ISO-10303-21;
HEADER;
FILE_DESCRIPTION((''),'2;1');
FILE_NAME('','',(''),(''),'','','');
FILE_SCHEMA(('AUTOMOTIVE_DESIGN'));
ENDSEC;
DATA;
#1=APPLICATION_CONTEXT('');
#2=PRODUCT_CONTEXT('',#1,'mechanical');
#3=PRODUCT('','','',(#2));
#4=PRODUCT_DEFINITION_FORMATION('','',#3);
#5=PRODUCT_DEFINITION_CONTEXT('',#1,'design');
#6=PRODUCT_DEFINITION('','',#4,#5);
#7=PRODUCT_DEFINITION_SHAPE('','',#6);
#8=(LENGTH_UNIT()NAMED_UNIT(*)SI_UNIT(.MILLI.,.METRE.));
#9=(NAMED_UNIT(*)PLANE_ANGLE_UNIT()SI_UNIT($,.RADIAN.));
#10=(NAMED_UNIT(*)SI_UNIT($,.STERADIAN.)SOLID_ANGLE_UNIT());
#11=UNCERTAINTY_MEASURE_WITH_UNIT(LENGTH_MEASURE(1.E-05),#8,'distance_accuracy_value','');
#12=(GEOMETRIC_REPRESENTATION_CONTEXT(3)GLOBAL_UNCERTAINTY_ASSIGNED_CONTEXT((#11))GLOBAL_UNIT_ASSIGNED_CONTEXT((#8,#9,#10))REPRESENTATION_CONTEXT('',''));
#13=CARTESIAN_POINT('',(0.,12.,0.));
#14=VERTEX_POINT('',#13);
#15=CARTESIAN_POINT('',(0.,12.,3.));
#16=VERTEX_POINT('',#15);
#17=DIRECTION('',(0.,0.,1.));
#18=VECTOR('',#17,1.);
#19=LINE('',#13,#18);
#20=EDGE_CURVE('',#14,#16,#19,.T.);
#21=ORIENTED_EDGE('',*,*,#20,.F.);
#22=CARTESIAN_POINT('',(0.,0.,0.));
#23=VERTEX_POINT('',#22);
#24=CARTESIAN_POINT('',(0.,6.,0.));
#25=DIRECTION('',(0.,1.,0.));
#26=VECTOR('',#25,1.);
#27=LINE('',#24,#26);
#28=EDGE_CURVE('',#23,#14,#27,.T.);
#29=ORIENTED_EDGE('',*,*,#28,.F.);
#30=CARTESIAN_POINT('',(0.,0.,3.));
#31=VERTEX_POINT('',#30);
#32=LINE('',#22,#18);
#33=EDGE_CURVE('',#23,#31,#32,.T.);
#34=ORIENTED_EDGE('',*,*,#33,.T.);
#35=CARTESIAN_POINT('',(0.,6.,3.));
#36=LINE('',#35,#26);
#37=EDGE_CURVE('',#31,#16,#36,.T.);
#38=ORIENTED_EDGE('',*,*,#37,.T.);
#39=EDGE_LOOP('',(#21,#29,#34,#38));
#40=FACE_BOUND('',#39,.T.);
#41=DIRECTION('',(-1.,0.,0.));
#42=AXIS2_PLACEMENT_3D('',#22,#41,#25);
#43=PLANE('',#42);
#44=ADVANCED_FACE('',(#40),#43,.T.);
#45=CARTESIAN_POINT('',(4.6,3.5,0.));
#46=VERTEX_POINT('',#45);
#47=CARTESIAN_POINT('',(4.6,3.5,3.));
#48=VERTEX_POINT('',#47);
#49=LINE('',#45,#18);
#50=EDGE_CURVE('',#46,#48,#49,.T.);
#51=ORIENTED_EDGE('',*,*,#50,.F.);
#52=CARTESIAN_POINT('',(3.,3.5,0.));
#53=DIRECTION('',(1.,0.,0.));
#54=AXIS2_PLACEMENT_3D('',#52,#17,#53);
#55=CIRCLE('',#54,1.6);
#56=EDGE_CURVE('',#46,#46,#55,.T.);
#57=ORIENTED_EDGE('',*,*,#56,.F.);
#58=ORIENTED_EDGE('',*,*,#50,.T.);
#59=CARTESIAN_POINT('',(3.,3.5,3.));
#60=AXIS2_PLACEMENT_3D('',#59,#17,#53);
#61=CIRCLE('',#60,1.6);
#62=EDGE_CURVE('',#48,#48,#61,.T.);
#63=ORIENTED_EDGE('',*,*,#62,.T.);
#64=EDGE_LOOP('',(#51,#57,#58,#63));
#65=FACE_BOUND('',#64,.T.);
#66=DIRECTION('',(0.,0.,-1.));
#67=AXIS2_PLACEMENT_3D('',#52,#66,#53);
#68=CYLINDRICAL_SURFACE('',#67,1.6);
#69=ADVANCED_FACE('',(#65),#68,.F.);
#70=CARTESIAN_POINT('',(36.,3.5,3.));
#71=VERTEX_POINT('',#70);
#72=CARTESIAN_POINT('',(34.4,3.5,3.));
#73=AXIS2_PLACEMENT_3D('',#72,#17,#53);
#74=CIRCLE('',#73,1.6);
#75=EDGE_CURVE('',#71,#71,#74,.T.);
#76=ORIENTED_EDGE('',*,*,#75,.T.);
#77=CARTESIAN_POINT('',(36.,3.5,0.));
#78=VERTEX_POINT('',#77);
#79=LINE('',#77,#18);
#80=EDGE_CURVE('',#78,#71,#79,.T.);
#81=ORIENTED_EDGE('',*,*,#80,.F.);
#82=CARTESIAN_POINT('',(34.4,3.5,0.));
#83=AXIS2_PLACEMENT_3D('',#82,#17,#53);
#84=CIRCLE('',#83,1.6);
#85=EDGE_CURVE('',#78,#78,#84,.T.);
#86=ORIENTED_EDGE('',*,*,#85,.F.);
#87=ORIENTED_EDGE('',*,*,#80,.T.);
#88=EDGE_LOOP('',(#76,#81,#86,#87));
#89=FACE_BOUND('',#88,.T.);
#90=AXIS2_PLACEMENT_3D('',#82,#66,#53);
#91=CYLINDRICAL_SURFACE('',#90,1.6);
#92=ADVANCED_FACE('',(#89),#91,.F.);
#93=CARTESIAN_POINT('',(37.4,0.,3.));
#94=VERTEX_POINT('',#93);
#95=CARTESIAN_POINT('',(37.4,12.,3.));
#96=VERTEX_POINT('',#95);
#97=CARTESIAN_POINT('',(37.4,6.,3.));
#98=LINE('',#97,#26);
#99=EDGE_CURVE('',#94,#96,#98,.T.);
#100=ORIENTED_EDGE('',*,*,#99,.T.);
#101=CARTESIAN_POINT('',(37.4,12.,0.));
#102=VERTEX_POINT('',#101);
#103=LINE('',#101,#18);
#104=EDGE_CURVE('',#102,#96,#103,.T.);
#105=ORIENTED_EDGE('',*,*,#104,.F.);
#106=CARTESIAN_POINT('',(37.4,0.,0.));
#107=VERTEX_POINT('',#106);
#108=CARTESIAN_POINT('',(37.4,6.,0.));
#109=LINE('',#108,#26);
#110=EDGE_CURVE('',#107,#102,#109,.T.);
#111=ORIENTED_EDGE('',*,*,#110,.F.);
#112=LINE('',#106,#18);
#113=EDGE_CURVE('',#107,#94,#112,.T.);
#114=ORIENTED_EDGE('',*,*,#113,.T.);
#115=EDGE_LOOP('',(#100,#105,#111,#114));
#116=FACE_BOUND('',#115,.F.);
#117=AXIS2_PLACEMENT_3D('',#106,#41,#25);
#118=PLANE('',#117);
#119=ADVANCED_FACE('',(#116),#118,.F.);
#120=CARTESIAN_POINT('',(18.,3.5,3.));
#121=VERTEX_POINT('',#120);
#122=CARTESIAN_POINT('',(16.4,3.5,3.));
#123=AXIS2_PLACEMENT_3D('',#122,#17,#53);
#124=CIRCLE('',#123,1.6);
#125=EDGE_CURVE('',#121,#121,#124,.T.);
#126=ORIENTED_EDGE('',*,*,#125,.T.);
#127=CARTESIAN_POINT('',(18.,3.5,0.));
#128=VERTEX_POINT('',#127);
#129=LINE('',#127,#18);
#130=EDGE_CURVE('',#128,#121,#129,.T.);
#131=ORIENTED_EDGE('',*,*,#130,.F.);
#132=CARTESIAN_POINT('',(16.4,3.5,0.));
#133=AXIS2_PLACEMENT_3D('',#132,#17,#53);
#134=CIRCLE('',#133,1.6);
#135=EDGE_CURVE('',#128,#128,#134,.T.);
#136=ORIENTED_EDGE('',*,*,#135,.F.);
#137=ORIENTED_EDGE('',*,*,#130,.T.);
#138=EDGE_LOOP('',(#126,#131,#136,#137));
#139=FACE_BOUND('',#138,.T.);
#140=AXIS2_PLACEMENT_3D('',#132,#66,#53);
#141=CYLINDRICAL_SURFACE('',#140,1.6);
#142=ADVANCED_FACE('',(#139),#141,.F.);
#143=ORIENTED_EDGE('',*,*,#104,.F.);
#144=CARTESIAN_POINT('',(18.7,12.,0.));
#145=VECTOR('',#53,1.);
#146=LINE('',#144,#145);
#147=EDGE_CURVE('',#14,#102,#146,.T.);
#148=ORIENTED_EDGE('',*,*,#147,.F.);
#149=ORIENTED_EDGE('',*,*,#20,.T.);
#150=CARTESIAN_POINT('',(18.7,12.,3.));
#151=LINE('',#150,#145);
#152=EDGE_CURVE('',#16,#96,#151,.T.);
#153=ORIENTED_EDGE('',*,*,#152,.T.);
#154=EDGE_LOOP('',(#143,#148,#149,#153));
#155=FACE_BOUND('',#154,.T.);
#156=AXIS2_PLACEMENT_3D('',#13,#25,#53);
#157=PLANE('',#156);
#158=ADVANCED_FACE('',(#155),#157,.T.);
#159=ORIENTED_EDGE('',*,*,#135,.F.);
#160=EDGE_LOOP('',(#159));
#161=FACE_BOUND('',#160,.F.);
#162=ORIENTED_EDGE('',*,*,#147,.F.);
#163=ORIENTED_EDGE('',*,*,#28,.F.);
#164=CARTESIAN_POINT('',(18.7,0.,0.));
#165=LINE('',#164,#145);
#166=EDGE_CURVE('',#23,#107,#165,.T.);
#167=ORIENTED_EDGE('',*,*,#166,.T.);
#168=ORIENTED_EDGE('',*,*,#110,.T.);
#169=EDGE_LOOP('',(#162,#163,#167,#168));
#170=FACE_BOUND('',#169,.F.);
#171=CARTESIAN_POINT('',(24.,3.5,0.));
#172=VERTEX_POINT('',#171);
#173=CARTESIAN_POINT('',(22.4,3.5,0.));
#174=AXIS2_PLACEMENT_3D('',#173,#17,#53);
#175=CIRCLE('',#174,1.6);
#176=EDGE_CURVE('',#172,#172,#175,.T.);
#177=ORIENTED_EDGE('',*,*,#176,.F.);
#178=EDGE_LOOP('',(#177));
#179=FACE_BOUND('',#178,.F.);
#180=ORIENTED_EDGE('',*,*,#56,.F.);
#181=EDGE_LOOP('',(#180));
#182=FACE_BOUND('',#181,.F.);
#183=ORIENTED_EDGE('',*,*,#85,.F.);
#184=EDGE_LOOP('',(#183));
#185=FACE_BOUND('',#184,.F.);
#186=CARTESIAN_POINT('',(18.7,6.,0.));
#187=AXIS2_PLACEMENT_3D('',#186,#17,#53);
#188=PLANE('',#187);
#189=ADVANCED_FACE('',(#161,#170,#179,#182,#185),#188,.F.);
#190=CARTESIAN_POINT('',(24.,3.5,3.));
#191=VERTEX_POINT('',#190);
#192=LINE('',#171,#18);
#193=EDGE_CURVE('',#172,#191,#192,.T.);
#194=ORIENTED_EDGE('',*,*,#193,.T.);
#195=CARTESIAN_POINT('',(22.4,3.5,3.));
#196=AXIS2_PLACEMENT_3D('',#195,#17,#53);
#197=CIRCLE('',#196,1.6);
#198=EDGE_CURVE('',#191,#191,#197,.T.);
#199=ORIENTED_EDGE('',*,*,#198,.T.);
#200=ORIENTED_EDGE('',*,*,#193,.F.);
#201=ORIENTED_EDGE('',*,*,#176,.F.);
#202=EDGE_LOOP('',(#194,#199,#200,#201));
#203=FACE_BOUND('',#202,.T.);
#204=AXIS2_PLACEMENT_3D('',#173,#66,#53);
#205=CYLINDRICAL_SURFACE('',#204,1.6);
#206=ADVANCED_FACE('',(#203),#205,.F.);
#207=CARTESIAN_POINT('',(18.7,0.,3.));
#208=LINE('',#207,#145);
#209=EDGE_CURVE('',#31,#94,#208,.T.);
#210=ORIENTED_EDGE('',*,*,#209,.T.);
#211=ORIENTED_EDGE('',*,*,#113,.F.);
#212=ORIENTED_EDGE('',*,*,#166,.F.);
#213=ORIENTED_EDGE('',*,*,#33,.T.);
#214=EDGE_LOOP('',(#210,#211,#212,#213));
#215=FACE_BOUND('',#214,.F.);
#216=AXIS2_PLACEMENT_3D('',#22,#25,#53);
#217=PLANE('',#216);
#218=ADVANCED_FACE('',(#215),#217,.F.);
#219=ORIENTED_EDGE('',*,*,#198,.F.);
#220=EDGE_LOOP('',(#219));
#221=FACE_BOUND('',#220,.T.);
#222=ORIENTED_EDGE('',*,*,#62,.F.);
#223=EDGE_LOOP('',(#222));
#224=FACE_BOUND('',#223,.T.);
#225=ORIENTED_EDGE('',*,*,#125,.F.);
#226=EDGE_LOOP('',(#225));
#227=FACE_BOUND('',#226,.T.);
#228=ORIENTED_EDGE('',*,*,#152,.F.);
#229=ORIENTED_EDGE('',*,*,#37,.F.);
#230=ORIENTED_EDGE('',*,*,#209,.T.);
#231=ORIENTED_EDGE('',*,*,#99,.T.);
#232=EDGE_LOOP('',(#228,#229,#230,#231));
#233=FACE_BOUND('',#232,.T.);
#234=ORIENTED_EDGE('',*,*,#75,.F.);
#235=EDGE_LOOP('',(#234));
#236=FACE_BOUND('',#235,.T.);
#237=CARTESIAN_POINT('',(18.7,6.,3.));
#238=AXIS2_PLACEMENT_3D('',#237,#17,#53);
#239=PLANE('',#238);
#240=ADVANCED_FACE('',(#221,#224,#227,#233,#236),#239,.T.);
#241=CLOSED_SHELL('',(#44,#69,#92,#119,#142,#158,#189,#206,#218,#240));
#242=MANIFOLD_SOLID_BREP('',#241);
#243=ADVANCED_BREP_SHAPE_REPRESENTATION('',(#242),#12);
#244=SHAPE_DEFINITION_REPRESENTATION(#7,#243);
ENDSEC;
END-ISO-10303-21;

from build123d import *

# Parameters (mm, degrees)
SKETCH_W  = 37.4
SKETCH_H  = 12
SKETCH_R  = 1.6
PAD_DEPTH = 3


with BuildPart() as part:
    # Sketch → Pad (new body)
    with BuildSketch(Plane.XY):
        with Locations((18.7, 6)):
            Rectangle(SKETCH_W, SKETCH_H)
        with Locations((3, 3.5)):
            Circle(SKETCH_R, mode=Mode.SUBTRACT)
        with Locations((16.4, 3.5)):
            Circle(SKETCH_R, mode=Mode.SUBTRACT)
        with Locations((22.4, 3.5)):
            Circle(SKETCH_R, mode=Mode.SUBTRACT)
        with Locations((34.4, 3.5)):
            Circle(SKETCH_R, mode=Mode.SUBTRACT)
    extrude(amount=PAD_DEPTH)


solid = part.part
